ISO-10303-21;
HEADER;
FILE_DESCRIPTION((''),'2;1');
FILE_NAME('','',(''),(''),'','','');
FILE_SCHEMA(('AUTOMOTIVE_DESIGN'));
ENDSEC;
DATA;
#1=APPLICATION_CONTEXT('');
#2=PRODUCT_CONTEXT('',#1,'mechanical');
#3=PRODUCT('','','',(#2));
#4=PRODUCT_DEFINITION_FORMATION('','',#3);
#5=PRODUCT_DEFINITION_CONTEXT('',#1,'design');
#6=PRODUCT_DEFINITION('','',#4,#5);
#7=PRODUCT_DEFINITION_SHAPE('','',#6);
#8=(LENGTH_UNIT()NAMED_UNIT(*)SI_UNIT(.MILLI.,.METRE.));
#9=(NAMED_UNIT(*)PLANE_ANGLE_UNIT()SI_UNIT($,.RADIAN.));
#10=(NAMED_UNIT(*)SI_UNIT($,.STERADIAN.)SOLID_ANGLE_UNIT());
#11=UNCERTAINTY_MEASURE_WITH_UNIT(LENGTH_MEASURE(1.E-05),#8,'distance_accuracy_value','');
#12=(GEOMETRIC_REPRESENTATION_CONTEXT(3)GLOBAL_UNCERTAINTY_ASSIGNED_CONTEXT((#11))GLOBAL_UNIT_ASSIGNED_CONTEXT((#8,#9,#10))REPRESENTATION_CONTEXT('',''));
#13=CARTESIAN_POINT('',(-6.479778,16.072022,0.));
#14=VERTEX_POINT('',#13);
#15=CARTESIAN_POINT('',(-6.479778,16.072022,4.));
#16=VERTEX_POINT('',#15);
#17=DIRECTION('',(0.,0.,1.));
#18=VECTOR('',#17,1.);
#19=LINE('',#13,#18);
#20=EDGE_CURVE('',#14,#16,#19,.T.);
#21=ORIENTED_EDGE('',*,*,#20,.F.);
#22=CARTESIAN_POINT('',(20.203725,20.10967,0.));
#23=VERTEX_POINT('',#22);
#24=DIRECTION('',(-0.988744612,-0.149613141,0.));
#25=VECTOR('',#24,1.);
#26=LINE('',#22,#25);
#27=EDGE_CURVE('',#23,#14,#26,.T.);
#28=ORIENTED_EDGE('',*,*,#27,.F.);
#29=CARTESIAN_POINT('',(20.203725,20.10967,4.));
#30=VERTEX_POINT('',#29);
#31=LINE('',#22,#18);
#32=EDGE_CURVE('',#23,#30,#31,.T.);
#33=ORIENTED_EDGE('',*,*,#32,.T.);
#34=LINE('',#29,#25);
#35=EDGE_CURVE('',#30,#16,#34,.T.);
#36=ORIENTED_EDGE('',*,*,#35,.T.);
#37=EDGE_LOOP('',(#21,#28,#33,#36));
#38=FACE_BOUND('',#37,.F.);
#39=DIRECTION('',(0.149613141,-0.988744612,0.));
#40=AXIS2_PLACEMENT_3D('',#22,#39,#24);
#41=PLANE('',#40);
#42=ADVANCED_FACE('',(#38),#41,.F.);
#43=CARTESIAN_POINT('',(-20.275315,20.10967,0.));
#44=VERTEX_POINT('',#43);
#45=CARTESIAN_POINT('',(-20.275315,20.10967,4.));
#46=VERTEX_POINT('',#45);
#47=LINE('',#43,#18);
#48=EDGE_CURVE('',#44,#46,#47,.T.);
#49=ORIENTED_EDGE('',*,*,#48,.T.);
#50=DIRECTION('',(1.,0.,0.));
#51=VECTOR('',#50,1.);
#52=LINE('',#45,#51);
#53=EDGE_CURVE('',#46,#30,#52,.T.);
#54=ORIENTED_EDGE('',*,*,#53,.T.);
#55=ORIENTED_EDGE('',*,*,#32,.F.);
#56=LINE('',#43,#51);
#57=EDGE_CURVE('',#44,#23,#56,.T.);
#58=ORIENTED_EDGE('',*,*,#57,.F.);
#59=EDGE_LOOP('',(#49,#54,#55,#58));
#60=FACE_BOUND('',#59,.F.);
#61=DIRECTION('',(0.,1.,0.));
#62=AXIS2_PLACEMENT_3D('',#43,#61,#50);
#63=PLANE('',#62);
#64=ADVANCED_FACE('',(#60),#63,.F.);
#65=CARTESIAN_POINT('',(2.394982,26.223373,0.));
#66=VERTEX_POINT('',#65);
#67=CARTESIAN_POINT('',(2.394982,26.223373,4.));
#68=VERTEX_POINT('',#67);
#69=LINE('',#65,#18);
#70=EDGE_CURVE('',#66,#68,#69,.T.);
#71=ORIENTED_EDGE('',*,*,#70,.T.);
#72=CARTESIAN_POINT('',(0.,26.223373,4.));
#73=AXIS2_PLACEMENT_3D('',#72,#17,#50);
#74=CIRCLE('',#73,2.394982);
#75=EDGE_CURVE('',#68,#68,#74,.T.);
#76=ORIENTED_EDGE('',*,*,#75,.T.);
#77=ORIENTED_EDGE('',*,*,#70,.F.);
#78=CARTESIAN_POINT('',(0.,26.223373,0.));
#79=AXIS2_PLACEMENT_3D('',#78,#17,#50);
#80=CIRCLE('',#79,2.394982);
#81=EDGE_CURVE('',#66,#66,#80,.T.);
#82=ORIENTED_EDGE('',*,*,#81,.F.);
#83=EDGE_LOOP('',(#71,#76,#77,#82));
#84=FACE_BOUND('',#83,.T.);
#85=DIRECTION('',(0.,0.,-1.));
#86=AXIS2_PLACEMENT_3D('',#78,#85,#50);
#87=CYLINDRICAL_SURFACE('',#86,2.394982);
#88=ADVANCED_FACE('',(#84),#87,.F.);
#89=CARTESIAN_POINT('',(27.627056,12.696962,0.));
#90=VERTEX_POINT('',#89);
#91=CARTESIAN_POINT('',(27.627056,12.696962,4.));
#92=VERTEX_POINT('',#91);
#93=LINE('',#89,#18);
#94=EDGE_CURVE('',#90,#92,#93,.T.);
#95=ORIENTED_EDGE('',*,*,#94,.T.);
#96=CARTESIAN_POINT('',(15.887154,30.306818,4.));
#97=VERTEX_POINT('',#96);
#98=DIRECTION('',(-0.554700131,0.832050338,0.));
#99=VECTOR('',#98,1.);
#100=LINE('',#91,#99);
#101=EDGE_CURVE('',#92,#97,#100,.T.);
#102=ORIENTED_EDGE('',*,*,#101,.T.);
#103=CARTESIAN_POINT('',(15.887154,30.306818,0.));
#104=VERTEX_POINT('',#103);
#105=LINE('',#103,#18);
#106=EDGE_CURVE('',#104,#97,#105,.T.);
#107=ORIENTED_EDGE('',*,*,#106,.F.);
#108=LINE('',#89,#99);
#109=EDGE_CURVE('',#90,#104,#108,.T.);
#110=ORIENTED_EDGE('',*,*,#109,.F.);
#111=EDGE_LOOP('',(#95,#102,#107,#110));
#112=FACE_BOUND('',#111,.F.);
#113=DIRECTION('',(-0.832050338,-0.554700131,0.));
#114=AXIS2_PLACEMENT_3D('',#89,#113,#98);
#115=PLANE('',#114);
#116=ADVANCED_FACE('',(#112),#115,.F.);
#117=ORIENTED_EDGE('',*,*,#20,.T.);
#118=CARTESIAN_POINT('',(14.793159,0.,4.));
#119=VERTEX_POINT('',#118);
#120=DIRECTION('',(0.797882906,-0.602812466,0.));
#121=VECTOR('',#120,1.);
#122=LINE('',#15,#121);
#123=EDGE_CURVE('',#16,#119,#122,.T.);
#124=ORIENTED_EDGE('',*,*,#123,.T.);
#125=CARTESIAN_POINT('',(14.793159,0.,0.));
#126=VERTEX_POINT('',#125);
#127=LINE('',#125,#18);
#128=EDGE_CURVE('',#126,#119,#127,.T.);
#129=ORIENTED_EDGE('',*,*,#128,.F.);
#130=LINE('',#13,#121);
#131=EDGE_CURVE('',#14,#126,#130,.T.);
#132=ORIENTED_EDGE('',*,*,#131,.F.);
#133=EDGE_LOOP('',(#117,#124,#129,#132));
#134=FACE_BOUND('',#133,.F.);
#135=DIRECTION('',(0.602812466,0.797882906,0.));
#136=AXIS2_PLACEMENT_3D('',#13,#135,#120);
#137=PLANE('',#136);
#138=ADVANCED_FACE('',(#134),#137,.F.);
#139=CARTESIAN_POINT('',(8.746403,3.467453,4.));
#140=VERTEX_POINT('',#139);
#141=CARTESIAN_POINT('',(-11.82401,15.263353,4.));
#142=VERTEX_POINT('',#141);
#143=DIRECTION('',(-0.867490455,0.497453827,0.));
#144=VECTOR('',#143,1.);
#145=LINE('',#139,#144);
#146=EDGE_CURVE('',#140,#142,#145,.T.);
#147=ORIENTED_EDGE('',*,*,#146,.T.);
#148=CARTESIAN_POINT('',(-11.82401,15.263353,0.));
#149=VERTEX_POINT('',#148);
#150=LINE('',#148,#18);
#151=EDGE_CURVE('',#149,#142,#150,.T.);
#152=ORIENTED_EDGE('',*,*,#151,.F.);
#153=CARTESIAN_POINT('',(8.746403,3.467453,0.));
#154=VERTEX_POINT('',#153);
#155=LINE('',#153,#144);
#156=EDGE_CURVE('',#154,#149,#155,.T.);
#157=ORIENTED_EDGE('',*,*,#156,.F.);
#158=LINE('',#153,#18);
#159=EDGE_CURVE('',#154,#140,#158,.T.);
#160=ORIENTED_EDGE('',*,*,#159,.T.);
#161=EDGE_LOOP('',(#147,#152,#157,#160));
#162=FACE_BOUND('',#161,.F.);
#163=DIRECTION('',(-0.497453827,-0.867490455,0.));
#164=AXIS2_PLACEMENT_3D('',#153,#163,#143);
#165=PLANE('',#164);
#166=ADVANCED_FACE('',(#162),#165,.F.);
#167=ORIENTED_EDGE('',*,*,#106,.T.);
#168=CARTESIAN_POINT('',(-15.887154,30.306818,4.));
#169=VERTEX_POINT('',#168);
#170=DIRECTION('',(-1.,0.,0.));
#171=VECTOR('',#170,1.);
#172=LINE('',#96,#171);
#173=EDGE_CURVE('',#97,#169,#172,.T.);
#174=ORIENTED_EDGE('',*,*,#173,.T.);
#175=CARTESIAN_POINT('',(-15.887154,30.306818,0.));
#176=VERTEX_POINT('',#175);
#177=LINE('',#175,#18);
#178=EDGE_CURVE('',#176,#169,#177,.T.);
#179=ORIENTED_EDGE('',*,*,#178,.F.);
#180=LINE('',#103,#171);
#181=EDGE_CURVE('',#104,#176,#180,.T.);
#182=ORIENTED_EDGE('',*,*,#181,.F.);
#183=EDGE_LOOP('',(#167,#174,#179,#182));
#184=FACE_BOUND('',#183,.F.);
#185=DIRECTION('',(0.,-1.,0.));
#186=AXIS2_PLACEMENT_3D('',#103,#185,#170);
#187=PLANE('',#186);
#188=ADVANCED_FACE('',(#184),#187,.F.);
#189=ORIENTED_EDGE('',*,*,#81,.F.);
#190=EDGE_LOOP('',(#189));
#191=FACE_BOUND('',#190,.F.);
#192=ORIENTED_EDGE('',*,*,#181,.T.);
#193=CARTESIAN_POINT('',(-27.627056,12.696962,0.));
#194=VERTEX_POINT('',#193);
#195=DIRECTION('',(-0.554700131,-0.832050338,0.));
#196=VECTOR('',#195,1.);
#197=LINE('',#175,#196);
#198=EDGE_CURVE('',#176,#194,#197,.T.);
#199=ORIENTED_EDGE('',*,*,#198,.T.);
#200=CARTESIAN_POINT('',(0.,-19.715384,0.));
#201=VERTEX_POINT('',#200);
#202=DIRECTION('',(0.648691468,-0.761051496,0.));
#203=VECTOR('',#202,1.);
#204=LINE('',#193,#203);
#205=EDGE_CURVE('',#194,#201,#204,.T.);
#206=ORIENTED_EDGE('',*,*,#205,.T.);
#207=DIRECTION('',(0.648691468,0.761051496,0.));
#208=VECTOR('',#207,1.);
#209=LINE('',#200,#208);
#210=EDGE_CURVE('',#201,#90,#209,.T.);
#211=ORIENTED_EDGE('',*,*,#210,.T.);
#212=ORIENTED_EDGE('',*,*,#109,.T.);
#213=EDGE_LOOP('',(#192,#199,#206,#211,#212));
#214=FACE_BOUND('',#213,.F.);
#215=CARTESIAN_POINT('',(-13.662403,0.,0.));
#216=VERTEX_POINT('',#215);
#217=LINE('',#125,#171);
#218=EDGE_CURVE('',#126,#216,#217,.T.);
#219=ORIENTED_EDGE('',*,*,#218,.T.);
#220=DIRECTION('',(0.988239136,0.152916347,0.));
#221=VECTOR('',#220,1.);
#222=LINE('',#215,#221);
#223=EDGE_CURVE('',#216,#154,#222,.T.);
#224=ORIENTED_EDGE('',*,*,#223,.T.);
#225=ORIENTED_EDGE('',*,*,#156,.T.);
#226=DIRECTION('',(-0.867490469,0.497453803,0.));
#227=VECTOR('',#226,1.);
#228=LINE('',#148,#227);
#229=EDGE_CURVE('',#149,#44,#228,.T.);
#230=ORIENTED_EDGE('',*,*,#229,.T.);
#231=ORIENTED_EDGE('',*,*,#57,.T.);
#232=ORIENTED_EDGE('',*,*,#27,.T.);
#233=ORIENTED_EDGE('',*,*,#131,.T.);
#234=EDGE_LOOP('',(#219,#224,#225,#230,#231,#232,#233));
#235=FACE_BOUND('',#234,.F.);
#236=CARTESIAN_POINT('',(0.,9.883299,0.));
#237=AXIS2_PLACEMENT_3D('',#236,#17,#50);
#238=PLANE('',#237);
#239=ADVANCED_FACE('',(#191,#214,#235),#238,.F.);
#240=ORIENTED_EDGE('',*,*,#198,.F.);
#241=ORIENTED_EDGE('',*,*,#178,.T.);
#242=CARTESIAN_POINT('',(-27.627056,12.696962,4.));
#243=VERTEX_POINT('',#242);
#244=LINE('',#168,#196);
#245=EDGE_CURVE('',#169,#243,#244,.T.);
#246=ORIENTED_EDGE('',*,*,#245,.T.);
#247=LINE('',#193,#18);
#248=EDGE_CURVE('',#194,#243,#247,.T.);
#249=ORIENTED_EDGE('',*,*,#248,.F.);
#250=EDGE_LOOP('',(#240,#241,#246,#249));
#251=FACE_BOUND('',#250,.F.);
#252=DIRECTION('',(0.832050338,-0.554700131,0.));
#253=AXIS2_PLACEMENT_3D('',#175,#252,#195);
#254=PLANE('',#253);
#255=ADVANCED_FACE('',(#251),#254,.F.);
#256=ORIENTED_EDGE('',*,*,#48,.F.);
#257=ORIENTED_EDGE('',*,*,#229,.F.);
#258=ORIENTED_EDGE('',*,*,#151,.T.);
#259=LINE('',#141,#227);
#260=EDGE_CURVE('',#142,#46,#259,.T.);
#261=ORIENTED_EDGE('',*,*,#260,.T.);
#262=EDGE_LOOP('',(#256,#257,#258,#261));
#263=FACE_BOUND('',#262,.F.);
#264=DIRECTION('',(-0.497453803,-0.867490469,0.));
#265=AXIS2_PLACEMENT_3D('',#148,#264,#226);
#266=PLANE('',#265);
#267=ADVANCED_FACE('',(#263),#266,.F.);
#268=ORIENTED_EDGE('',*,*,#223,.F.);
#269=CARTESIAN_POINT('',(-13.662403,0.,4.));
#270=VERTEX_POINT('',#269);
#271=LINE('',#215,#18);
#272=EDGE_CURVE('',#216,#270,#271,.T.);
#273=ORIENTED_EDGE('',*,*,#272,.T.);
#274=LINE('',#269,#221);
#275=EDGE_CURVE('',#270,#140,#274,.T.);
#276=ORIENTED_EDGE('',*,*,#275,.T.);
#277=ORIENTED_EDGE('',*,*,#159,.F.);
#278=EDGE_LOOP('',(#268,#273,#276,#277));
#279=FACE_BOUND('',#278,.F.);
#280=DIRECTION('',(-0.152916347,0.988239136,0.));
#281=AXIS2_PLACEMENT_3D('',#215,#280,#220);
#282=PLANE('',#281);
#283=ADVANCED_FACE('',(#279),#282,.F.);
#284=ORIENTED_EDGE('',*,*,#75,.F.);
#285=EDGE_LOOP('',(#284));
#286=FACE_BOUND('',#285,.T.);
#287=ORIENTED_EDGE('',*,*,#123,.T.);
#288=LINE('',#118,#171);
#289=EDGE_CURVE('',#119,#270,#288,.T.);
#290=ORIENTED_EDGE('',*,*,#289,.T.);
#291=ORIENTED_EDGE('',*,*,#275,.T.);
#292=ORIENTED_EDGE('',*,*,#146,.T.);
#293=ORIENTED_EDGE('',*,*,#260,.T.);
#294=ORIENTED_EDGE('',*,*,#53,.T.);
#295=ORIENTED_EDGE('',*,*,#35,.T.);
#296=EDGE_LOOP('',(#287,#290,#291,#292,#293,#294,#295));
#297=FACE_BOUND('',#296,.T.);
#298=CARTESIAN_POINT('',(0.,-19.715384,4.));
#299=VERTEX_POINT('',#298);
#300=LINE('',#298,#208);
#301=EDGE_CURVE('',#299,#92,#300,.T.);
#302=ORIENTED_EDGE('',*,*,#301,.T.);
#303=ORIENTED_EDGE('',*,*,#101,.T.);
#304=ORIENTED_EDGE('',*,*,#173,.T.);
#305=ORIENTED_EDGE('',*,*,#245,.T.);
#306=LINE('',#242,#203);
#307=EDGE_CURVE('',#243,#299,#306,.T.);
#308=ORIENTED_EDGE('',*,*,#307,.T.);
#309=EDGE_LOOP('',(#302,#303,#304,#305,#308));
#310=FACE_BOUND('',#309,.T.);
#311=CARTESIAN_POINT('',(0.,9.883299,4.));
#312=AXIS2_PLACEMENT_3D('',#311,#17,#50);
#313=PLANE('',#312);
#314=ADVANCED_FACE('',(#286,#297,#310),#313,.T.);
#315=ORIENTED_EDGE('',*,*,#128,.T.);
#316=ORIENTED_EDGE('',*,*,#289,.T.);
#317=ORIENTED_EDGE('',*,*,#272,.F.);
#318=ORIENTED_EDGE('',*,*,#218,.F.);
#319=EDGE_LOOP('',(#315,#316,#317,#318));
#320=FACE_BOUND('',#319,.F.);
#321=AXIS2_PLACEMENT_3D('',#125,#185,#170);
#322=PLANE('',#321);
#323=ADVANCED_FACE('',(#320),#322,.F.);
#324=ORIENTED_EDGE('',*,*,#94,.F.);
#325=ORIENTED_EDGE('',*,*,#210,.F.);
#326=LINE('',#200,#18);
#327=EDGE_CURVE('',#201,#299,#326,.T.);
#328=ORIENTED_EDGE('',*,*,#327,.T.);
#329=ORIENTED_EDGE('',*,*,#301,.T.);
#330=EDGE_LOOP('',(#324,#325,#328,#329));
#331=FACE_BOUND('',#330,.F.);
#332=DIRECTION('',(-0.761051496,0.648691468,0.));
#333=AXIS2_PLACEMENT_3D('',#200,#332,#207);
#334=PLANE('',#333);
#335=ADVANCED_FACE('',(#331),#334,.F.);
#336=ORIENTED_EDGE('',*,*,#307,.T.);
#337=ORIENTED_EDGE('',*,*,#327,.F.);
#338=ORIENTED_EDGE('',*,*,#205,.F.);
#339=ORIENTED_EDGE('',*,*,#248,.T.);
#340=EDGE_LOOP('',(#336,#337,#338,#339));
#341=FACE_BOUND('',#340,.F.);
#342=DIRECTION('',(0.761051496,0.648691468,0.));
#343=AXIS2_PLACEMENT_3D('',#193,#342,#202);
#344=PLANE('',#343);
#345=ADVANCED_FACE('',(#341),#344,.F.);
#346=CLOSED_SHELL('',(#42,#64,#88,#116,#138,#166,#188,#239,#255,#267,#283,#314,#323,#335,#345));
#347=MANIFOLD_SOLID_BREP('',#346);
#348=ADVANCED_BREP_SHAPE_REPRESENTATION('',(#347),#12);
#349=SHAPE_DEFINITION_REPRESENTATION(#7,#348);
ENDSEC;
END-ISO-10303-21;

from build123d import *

# Parameters (mm, degrees)
F0_R     = 2.394982
F1_DEPTH = 4


with BuildPart() as f1:
    # F0 (on Top) → F1 (new body)
    with BuildSketch(Plane.XY):
        Polygon((15.887154, 30.306818), (0, 30.306818), (-15.887154, 30.306818), (-27.627056, 12.696962), (0, -19.715384), (27.627056, 12.696962), align=None)
        Polygon((-11.82401, 20.10967), (20.203725, 20.10967), (-6.479778, 16.072022), (14.793159, 0), (-13.662403, 0), (8.746403, 3.467453), (-11.82401, 15.263353), (-20.275315, 20.10967), align=None, mode=Mode.SUBTRACT)
        with Locations((0, 26.223373)):
            Circle(F0_R, mode=Mode.SUBTRACT)
    extrude(amount=F1_DEPTH)


solid = f1.part
